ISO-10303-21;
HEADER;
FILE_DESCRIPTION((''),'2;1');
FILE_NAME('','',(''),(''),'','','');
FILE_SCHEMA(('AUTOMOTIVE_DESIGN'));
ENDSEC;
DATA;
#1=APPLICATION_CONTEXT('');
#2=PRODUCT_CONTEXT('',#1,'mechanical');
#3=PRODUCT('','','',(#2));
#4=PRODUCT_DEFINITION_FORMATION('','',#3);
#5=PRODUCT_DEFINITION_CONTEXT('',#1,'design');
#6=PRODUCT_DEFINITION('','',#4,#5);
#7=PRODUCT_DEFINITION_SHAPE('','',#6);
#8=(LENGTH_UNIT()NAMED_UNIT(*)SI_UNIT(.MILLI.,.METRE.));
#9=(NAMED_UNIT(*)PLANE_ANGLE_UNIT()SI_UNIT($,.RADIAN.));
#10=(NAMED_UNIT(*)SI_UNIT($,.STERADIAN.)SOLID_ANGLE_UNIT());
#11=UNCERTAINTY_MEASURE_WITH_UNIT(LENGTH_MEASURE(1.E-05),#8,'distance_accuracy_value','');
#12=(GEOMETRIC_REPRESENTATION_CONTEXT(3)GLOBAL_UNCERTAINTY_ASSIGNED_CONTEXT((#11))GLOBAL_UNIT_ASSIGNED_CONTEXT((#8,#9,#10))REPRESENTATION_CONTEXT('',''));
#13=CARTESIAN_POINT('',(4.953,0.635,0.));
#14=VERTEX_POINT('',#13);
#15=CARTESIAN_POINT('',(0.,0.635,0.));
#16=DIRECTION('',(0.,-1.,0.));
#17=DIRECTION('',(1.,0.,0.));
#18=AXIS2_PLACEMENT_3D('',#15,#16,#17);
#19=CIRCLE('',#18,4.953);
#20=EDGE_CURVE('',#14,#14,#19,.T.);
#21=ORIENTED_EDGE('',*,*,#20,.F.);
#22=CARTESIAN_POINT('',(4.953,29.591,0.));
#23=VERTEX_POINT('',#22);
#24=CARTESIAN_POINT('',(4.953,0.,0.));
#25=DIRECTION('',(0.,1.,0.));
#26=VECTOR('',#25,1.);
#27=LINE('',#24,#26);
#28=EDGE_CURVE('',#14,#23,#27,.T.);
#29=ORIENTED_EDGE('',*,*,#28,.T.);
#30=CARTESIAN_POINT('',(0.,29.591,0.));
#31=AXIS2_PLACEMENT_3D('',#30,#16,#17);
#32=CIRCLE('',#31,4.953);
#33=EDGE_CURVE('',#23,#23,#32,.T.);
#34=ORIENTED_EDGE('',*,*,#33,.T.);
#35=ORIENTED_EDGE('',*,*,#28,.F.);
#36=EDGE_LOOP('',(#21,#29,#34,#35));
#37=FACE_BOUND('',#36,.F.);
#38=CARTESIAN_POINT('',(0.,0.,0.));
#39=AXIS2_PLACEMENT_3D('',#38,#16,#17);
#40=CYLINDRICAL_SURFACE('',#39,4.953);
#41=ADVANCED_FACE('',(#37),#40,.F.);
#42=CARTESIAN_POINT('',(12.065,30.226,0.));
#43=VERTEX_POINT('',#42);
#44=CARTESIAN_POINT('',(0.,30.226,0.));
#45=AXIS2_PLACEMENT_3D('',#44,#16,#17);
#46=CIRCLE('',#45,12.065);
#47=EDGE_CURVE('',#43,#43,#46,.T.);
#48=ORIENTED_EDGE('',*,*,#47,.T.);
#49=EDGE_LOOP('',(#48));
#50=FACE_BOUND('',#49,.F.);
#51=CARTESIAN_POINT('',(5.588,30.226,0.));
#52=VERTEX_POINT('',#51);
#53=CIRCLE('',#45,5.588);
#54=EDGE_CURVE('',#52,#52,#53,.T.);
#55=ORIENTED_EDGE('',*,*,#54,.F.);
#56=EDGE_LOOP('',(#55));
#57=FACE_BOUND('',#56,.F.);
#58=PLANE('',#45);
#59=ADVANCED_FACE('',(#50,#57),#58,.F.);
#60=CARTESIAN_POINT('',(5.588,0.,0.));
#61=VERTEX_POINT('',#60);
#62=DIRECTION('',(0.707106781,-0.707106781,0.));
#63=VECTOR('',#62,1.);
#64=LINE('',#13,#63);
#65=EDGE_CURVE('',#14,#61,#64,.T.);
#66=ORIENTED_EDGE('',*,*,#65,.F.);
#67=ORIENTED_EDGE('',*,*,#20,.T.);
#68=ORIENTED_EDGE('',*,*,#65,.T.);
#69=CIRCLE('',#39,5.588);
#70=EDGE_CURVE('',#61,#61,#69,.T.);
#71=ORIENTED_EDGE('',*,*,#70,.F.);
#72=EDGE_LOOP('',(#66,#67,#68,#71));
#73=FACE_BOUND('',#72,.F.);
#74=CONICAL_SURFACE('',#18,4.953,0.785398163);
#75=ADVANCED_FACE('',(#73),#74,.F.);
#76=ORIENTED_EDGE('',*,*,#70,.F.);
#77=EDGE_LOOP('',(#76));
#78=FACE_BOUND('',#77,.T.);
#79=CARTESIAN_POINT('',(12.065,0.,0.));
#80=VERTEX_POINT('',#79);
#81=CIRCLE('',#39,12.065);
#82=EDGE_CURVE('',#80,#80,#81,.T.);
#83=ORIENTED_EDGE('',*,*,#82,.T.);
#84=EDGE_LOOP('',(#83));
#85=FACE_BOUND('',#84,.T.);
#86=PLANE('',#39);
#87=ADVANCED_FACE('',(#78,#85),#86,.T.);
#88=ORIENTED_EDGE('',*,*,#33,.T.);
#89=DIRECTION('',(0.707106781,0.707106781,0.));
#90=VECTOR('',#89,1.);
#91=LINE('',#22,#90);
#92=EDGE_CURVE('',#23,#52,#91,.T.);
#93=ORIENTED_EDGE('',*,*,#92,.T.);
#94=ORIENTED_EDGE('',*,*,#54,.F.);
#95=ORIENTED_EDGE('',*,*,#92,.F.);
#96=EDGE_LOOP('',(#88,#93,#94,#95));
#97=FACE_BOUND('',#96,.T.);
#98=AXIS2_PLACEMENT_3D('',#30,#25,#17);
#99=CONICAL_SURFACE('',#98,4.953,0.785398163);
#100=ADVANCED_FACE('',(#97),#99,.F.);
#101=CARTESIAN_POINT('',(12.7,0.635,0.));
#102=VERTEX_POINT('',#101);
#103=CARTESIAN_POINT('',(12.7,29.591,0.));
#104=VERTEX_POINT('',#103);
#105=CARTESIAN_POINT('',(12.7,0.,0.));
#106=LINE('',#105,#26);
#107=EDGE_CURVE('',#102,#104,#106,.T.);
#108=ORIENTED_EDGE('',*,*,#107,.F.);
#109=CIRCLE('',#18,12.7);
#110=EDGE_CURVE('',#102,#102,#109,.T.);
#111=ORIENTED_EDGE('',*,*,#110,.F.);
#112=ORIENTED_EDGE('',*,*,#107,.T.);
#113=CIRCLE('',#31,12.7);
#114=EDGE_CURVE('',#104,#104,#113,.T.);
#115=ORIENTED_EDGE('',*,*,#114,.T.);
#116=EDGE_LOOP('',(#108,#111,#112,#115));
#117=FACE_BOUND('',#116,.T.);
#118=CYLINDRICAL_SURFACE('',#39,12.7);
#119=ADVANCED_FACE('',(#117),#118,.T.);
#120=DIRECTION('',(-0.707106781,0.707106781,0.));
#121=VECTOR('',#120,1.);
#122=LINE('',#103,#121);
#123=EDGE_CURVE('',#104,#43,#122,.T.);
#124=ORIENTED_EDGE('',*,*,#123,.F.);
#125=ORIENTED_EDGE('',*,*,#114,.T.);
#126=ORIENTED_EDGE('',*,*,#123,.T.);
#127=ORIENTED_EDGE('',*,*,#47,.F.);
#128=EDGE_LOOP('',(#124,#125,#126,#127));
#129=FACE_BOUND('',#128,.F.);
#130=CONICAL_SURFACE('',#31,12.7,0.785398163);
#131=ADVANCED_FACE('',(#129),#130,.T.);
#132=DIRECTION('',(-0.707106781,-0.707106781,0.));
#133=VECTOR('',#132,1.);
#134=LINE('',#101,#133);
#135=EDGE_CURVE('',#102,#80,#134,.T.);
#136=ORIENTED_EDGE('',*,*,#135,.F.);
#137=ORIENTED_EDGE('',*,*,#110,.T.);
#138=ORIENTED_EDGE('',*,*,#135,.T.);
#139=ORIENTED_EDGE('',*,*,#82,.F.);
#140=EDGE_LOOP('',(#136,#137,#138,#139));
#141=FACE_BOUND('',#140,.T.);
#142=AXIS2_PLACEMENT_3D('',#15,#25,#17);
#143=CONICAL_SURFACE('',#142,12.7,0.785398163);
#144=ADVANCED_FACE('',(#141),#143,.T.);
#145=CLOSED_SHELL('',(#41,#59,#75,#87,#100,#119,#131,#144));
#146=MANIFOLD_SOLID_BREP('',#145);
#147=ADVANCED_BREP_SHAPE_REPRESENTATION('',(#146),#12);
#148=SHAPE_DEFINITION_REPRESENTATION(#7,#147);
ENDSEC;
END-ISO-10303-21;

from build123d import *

# Parameters (mm, degrees)
F0_R     = 12.7
F0_R_2   = 4.953
F1_DEPTH = 30.226
F2_SIZE  = 0.635


with BuildPart() as f1:
    # F0 (on Front) → F1 (new body)
    with BuildSketch(Plane.XZ):
        Circle(F0_R)
        Circle(F0_R_2, mode=Mode.SUBTRACT)
    extrude(amount=-F1_DEPTH)

    # F2
    f2_edges = [f1.edges().sort_by_distance(p)[0] for p in [
        (-12.7, 0, 0),
        (-4.953, 0, 0),
        (-12.7, 30.226, 0),
        (-4.953, 30.226, 0),
    ]]
    chamfer(f2_edges, length=F2_SIZE)


solid = f1.part
